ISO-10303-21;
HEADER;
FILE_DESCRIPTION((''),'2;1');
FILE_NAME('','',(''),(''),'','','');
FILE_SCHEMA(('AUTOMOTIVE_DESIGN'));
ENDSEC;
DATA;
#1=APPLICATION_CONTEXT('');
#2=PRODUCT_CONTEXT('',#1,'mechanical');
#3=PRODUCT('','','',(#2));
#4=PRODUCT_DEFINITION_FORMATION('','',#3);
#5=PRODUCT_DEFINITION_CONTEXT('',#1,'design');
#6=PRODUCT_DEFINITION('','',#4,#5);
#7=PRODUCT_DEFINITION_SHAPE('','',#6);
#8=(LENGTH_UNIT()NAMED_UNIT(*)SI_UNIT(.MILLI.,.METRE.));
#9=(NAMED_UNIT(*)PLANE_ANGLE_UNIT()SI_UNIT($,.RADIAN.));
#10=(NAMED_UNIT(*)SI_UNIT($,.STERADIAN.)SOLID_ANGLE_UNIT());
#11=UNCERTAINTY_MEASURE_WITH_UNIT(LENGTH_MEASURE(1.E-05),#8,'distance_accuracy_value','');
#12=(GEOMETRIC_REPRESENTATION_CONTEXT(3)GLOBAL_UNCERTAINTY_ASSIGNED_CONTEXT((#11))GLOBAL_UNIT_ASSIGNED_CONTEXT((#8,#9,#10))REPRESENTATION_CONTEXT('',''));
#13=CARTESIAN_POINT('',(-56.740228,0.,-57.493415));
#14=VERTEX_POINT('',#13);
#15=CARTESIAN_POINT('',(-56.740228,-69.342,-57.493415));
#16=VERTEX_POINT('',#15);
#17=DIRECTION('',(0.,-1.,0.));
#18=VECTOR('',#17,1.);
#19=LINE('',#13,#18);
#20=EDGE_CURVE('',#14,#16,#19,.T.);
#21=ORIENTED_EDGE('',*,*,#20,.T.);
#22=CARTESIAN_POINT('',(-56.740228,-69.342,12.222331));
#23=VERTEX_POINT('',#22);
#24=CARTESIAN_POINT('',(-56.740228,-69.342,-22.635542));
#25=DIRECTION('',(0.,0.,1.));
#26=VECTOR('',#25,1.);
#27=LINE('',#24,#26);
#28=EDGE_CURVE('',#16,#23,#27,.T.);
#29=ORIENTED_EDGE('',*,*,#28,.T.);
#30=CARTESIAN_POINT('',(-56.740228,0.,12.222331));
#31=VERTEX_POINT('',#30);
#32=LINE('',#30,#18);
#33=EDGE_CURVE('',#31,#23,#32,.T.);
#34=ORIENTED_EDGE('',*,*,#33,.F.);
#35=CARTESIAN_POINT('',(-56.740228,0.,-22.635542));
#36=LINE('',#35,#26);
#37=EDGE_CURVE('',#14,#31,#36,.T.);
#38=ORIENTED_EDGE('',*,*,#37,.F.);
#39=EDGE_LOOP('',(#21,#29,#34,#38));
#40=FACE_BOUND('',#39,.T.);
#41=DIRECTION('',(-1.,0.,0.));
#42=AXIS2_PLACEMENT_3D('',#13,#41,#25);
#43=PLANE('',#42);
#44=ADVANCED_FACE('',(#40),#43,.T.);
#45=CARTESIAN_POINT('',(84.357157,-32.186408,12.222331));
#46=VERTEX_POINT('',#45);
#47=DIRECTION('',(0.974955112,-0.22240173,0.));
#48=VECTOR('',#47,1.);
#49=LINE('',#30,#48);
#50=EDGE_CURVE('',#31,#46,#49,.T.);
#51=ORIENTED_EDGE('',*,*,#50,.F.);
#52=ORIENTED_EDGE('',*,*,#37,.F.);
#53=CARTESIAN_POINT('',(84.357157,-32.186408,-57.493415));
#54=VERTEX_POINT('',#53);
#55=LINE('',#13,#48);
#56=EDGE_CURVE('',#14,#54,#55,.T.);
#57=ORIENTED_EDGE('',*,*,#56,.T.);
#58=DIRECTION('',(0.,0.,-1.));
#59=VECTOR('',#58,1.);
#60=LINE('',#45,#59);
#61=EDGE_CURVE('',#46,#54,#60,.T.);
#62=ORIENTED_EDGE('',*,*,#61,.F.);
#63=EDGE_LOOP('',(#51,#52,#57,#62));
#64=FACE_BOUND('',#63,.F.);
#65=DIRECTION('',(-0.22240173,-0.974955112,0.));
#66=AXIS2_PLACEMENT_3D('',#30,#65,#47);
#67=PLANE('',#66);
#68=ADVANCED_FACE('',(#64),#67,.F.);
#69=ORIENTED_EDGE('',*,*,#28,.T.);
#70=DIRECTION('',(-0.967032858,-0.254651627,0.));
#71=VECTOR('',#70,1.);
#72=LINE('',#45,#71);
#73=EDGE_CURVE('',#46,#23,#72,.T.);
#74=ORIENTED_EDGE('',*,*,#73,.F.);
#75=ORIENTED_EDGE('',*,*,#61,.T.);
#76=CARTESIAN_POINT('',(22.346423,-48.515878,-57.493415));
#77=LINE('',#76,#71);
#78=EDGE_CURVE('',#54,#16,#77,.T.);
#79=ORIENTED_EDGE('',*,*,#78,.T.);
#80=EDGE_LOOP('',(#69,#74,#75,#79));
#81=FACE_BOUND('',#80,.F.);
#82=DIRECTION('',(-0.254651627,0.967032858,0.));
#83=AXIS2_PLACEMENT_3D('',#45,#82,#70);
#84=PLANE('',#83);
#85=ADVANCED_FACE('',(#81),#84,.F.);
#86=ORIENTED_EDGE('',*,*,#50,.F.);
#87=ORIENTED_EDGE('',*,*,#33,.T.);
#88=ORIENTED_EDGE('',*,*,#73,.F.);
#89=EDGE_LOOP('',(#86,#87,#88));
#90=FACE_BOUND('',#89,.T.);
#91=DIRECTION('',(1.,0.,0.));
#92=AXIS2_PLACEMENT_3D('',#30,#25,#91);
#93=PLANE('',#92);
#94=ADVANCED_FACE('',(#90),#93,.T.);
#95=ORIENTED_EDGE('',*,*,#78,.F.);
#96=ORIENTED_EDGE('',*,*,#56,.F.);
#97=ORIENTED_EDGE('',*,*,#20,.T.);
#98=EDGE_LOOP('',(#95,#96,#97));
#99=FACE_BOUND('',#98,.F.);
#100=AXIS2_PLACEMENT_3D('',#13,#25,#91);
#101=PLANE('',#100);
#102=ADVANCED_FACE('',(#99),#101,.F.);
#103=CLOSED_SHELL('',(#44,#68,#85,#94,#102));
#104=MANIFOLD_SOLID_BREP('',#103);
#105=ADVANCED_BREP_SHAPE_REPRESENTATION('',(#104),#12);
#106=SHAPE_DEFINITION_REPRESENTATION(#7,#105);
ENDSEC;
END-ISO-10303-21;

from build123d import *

# Parameters (mm, degrees)
F0_W     = 141.0973854363
F0_H     = 69.7157457471
F1_DEPTH = 69.342
F3_DEPTH = 115.062
F5_DEPTH = 121.158


with BuildPart() as f1:
    # F0 (on Front) → F1 (new body)
    with BuildSketch(Plane.XZ):
        with Locations((13.8084646314, -22.6355418563)):
            Rectangle(F0_W, F0_H)
    extrude(amount=F1_DEPTH)

    # F2 (on face) → F3 (cut)
    with BuildSketch(Plane.XY.offset(12.2223310173)):
        Polygon((84.3571573496, -32.1864075959), (-56.7402280867, -69.342), (84.3571573496, -69.342), align=None)
    extrude(amount=-F3_DEPTH, mode=Mode.SUBTRACT)

    # F4 (on face) → F5 (cut)
    with BuildSketch(Plane.XY.offset(12.2223310173)):
        Polygon((84.3571573496, 0), (-56.7402280867, 0), (84.3571573496, -32.1864075959), align=None)
    extrude(amount=-F5_DEPTH, mode=Mode.SUBTRACT)


solid = f1.part
